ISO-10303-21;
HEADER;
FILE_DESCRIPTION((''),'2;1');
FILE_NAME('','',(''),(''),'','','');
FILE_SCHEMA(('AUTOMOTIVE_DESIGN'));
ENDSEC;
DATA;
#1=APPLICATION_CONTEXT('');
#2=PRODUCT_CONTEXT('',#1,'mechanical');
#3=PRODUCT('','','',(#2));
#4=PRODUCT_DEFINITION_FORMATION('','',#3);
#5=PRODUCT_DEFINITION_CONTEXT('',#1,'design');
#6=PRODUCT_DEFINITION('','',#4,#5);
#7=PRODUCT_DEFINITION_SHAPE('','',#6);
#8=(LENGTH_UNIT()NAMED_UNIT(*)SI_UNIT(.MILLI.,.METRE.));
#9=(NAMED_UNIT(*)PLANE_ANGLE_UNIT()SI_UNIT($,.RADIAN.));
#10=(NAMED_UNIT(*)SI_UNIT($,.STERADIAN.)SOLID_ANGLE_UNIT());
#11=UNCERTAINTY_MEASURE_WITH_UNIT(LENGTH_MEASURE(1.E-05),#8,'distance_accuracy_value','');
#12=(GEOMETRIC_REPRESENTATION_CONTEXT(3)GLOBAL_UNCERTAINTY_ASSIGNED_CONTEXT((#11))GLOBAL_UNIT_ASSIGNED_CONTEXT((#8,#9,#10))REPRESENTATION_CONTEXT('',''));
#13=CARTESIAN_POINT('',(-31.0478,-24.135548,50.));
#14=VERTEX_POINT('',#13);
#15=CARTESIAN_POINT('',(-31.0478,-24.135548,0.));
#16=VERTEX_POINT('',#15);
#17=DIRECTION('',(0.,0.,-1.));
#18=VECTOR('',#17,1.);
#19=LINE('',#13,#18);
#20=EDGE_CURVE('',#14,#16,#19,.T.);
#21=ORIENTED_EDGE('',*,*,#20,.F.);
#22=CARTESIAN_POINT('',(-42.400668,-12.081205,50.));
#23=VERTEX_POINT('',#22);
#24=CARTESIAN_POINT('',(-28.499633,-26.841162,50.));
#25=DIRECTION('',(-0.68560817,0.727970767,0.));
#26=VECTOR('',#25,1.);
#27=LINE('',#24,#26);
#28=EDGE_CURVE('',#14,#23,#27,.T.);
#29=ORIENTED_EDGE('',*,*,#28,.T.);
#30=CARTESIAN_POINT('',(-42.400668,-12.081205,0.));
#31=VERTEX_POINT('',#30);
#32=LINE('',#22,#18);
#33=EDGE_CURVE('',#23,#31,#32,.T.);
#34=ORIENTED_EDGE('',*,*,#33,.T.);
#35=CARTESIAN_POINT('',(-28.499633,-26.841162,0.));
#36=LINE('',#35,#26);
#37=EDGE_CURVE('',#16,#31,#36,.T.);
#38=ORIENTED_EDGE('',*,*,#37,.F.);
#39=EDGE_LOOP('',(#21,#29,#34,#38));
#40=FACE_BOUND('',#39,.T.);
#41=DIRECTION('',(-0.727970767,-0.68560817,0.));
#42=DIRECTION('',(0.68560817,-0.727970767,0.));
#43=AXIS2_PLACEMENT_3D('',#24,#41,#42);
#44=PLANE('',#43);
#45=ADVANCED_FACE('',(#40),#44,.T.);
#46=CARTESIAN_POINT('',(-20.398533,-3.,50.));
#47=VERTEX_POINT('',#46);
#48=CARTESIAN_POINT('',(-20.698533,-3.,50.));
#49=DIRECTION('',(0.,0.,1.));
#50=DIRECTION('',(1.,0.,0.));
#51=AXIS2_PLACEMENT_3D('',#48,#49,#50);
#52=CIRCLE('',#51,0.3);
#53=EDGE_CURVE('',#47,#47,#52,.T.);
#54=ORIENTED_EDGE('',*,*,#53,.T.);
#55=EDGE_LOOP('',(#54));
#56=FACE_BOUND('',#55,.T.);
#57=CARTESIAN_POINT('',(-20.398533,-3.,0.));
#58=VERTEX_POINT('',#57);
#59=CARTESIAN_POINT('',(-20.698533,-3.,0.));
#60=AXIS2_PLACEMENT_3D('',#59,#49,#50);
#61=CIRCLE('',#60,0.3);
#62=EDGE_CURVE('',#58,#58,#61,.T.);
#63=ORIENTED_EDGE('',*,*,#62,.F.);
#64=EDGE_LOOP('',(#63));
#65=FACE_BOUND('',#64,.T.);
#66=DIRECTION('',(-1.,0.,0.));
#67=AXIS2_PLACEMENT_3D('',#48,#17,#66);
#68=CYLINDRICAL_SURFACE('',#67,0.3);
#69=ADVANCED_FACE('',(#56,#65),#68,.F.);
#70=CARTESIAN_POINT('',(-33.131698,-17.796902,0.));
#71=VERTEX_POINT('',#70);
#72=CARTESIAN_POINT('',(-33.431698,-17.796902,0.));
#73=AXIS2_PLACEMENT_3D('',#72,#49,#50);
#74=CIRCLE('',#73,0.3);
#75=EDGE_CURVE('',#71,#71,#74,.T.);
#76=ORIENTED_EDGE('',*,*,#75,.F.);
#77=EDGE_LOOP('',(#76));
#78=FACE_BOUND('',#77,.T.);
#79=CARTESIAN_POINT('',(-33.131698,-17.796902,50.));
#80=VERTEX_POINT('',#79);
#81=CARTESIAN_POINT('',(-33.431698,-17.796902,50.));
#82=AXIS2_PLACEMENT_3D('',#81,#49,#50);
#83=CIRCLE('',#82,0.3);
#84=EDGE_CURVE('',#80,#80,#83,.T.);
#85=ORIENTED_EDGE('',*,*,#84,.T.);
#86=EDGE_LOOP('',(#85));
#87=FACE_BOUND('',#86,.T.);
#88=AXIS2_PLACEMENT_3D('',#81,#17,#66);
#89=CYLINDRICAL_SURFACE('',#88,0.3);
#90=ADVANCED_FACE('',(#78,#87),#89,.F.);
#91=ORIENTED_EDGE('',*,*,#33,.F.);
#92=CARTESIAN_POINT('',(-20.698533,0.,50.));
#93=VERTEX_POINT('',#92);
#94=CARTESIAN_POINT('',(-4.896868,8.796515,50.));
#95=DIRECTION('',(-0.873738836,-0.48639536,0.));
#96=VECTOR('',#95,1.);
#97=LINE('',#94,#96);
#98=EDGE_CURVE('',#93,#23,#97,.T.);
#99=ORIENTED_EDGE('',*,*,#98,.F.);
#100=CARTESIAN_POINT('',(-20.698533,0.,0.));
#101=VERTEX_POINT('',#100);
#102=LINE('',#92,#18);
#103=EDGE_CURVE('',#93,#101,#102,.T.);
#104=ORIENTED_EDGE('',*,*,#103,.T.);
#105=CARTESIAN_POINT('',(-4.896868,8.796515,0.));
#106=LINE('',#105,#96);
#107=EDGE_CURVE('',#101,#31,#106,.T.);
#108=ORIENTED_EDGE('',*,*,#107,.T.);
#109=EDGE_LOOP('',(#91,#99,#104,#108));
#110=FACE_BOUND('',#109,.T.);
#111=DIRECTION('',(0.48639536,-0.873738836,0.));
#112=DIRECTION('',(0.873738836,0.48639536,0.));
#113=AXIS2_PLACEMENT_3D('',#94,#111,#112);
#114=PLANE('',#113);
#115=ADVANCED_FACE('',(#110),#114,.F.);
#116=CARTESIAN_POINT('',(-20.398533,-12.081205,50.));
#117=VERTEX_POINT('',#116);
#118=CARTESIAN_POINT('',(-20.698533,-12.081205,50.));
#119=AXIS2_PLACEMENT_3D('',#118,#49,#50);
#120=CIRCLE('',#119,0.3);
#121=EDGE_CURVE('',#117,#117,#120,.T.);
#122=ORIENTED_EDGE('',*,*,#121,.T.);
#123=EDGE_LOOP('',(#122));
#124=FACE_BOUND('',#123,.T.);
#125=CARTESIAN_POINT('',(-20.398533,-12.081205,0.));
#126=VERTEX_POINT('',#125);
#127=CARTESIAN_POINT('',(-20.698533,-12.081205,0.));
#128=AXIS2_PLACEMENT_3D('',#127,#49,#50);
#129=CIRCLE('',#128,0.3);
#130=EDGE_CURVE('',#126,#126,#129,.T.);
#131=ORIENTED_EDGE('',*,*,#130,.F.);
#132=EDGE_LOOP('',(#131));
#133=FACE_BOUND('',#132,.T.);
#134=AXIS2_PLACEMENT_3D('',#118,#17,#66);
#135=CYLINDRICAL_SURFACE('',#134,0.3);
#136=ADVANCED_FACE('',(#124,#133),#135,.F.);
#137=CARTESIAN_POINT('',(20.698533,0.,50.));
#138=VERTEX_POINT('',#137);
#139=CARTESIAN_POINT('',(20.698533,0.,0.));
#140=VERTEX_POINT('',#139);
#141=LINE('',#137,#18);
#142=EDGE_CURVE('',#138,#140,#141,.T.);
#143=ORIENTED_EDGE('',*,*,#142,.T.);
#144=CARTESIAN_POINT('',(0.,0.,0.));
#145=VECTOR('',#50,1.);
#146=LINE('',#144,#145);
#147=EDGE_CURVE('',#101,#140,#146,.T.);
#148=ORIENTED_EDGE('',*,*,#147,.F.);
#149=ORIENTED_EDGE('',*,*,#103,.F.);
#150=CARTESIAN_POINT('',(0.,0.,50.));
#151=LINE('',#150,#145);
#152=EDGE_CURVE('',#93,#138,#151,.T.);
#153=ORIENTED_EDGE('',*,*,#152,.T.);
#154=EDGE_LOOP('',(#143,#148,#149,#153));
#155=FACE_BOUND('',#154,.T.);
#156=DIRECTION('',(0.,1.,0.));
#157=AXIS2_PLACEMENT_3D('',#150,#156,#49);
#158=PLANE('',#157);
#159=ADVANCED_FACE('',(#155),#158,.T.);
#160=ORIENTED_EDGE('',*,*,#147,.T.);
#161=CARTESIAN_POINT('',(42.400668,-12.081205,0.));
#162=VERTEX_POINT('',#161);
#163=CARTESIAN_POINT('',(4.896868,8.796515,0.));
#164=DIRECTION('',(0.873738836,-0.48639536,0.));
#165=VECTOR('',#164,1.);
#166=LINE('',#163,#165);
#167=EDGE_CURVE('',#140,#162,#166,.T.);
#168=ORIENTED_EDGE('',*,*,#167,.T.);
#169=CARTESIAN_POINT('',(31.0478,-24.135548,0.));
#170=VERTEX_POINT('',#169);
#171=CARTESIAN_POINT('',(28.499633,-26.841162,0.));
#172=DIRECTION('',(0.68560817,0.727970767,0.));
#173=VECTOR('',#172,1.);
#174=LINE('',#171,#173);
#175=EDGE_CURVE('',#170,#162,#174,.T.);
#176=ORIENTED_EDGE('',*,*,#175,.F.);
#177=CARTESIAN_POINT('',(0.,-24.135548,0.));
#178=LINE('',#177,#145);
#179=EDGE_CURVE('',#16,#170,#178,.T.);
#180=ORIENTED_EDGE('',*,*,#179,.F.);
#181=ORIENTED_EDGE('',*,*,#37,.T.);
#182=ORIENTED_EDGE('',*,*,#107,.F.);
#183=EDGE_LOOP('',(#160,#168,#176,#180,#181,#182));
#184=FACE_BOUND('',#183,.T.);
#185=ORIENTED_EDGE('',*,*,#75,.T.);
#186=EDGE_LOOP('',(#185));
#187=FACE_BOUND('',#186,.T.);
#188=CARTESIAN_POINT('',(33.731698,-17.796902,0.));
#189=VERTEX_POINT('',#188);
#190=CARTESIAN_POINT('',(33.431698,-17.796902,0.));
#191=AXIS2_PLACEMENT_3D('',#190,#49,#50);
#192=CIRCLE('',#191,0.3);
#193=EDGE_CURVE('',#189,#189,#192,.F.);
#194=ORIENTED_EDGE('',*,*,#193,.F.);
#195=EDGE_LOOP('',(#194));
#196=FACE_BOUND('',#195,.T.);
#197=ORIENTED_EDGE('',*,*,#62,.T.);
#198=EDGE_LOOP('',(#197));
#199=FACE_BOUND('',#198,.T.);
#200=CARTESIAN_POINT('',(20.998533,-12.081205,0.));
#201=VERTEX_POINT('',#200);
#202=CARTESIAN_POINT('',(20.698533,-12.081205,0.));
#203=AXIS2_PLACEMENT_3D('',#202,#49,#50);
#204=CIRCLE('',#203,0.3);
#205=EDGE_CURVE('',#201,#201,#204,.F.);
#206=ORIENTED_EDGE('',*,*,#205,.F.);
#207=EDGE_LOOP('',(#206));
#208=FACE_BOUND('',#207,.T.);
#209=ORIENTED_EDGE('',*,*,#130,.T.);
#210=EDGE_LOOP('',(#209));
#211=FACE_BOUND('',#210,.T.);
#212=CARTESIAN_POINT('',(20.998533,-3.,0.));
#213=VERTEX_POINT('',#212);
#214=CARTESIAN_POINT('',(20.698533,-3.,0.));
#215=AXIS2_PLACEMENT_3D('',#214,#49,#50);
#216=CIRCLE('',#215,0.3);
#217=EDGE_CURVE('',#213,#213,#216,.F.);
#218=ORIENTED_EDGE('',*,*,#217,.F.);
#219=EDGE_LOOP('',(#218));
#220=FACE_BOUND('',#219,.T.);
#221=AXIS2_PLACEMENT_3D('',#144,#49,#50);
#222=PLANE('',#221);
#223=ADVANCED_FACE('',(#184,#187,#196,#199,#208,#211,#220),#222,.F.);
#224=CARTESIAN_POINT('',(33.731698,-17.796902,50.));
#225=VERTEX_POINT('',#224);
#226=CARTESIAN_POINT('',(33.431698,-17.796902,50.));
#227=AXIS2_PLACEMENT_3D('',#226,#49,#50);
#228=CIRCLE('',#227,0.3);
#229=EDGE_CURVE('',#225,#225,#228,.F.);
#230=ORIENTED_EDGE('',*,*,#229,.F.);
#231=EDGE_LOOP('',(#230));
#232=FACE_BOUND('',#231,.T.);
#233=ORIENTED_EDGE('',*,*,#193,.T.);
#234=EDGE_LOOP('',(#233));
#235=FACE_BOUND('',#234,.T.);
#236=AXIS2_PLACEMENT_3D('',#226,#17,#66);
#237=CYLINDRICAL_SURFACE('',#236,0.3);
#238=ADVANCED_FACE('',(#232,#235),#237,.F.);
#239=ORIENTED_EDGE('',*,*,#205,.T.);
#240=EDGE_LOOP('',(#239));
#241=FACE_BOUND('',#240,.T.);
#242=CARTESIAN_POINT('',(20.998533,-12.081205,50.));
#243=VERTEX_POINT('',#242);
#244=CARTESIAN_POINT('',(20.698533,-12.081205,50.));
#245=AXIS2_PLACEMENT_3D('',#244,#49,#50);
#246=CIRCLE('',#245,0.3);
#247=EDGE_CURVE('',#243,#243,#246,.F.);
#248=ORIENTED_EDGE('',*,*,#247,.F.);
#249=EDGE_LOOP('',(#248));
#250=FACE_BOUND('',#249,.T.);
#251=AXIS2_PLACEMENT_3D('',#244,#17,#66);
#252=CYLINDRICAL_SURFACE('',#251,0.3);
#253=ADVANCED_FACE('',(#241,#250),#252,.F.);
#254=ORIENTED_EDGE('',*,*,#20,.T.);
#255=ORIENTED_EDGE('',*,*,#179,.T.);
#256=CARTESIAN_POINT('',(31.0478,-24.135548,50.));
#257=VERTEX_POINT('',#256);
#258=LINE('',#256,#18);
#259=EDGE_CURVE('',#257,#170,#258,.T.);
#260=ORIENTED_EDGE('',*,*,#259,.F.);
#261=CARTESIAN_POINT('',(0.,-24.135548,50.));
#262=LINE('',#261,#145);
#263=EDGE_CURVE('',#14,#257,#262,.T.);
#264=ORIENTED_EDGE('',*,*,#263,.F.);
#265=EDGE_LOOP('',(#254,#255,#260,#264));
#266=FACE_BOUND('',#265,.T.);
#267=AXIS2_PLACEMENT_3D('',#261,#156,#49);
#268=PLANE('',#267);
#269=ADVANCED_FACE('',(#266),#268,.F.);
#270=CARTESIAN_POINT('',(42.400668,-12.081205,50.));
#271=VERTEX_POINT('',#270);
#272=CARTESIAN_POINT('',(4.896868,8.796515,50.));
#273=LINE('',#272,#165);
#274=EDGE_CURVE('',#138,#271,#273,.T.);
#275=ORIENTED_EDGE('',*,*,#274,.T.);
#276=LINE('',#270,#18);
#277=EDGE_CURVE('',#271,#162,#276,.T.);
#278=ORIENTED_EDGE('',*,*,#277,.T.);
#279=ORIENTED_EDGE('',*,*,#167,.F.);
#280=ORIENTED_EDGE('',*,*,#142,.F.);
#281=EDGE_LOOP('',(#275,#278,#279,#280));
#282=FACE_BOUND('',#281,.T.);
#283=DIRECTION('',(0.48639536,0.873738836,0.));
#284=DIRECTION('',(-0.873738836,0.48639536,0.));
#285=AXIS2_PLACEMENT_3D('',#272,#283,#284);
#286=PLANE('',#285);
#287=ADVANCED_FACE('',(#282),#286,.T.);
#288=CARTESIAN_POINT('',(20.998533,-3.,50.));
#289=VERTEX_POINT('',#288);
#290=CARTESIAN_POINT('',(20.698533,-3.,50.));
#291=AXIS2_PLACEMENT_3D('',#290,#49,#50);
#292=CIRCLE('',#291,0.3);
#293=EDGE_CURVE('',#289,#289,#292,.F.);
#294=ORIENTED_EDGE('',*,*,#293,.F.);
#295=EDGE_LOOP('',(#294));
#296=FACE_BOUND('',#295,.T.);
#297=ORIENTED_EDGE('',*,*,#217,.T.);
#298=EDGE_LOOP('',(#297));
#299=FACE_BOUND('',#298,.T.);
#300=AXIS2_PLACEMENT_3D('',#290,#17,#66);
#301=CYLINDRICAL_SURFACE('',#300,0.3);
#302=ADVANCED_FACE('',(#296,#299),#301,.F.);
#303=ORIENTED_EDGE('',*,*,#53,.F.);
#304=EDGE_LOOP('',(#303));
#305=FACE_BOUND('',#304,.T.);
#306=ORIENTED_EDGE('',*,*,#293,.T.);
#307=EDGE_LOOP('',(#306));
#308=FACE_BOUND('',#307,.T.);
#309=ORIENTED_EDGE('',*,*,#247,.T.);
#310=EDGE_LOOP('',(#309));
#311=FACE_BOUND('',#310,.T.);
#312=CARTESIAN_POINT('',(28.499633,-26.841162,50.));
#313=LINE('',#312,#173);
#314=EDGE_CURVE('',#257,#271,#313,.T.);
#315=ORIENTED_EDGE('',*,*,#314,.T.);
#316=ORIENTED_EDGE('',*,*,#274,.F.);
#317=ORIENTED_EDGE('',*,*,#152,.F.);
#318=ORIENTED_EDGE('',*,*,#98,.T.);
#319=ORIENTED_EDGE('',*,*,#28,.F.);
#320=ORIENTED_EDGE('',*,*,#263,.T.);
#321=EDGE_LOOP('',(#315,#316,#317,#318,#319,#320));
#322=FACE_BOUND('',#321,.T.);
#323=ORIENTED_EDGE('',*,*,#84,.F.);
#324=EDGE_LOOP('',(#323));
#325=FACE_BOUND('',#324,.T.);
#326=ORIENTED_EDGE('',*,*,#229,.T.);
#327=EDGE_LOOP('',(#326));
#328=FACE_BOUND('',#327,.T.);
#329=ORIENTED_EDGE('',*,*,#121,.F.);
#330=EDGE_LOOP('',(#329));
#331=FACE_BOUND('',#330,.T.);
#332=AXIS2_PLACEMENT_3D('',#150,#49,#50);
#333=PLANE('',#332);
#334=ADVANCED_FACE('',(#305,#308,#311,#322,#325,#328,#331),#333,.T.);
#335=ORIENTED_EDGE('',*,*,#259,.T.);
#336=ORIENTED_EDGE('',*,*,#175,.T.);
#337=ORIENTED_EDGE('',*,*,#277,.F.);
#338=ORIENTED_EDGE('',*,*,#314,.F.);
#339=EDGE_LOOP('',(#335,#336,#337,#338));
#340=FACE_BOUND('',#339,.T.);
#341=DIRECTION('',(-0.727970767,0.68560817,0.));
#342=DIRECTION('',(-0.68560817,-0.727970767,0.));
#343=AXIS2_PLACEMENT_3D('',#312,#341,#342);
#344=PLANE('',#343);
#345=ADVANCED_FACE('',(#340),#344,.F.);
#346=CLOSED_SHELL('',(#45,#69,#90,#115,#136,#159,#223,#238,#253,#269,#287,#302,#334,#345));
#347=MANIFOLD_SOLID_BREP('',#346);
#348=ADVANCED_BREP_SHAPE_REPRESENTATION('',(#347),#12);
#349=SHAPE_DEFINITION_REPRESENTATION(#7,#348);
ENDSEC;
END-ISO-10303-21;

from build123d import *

# Parameters (mm, degrees)
SKETCH_1_R      = 0.82794133
SKETCH_1_R_2    = 1
SKETCH_1_R_3    = 0.3
EXTRUDE_3_DEPTH = 50


with BuildPart() as part:
    # 草图1 → 凸台-拉伸3 (new body)
    with BuildSketch(Plane.XY):
        Polygon((20.69853326, 0), (0, 0), (0, -24.135547841), (31.04779989, -24.135547841), (42.400668091, -12.081204645), align=None)
        with Locations((20.69853326, -12.081204645)):
            Circle(SKETCH_1_R, mode=Mode.SUBTRACT)
        with Locations((33.43169801, -17.796901608)):
            Circle(SKETCH_1_R_2, mode=Mode.SUBTRACT)
        with Locations((20.69853326, -3)):
            Circle(SKETCH_1_R, mode=Mode.SUBTRACT)
        with Locations((33.43169801, -17.796901608)):
            Circle(SKETCH_1_R_2)
        with Locations((33.43169801, -17.796901608)):
            Circle(SKETCH_1_R_3, mode=Mode.SUBTRACT)
        with Locations((20.69853326, -12.081204645)):
            Circle(SKETCH_1_R)
        with Locations((20.69853326, -12.081204645)):
            Circle(SKETCH_1_R_3, mode=Mode.SUBTRACT)
        with Locations((20.69853326, -3)):
            Circle(SKETCH_1_R)
        with Locations((20.69853326, -3)):
            Circle(SKETCH_1_R_3, mode=Mode.SUBTRACT)
        Polygon((0, 0), (-20.69853326, 0), (-42.400668091, -12.081204645), (-31.04779989, -24.135547841), (0, -24.135547841), align=None)
        with Locations((-33.43169801, -17.796901608)):
            Circle(SKETCH_1_R_2, mode=Mode.SUBTRACT)
        with Locations((-20.69853326, -12.081204645)):
            Circle(SKETCH_1_R, mode=Mode.SUBTRACT)
        with Locations((-20.69853326, -3)):
            Circle(SKETCH_1_R, mode=Mode.SUBTRACT)
        with Locations((-33.43169801, -17.796901608)):
            Circle(SKETCH_1_R_2)
        with Locations((-33.43169801, -17.796901608)):
            Circle(SKETCH_1_R_3, mode=Mode.SUBTRACT)
        with Locations((-20.69853326, -12.081204645)):
            Circle(SKETCH_1_R)
        with Locations((-20.69853326, -12.081204645)):
            Circle(SKETCH_1_R_3, mode=Mode.SUBTRACT)
        with Locations((-20.69853326, -3)):
            Circle(SKETCH_1_R)
        with Locations((-20.69853326, -3)):
            Circle(SKETCH_1_R_3, mode=Mode.SUBTRACT)
    extrude(amount=EXTRUDE_3_DEPTH)


solid = part.part
